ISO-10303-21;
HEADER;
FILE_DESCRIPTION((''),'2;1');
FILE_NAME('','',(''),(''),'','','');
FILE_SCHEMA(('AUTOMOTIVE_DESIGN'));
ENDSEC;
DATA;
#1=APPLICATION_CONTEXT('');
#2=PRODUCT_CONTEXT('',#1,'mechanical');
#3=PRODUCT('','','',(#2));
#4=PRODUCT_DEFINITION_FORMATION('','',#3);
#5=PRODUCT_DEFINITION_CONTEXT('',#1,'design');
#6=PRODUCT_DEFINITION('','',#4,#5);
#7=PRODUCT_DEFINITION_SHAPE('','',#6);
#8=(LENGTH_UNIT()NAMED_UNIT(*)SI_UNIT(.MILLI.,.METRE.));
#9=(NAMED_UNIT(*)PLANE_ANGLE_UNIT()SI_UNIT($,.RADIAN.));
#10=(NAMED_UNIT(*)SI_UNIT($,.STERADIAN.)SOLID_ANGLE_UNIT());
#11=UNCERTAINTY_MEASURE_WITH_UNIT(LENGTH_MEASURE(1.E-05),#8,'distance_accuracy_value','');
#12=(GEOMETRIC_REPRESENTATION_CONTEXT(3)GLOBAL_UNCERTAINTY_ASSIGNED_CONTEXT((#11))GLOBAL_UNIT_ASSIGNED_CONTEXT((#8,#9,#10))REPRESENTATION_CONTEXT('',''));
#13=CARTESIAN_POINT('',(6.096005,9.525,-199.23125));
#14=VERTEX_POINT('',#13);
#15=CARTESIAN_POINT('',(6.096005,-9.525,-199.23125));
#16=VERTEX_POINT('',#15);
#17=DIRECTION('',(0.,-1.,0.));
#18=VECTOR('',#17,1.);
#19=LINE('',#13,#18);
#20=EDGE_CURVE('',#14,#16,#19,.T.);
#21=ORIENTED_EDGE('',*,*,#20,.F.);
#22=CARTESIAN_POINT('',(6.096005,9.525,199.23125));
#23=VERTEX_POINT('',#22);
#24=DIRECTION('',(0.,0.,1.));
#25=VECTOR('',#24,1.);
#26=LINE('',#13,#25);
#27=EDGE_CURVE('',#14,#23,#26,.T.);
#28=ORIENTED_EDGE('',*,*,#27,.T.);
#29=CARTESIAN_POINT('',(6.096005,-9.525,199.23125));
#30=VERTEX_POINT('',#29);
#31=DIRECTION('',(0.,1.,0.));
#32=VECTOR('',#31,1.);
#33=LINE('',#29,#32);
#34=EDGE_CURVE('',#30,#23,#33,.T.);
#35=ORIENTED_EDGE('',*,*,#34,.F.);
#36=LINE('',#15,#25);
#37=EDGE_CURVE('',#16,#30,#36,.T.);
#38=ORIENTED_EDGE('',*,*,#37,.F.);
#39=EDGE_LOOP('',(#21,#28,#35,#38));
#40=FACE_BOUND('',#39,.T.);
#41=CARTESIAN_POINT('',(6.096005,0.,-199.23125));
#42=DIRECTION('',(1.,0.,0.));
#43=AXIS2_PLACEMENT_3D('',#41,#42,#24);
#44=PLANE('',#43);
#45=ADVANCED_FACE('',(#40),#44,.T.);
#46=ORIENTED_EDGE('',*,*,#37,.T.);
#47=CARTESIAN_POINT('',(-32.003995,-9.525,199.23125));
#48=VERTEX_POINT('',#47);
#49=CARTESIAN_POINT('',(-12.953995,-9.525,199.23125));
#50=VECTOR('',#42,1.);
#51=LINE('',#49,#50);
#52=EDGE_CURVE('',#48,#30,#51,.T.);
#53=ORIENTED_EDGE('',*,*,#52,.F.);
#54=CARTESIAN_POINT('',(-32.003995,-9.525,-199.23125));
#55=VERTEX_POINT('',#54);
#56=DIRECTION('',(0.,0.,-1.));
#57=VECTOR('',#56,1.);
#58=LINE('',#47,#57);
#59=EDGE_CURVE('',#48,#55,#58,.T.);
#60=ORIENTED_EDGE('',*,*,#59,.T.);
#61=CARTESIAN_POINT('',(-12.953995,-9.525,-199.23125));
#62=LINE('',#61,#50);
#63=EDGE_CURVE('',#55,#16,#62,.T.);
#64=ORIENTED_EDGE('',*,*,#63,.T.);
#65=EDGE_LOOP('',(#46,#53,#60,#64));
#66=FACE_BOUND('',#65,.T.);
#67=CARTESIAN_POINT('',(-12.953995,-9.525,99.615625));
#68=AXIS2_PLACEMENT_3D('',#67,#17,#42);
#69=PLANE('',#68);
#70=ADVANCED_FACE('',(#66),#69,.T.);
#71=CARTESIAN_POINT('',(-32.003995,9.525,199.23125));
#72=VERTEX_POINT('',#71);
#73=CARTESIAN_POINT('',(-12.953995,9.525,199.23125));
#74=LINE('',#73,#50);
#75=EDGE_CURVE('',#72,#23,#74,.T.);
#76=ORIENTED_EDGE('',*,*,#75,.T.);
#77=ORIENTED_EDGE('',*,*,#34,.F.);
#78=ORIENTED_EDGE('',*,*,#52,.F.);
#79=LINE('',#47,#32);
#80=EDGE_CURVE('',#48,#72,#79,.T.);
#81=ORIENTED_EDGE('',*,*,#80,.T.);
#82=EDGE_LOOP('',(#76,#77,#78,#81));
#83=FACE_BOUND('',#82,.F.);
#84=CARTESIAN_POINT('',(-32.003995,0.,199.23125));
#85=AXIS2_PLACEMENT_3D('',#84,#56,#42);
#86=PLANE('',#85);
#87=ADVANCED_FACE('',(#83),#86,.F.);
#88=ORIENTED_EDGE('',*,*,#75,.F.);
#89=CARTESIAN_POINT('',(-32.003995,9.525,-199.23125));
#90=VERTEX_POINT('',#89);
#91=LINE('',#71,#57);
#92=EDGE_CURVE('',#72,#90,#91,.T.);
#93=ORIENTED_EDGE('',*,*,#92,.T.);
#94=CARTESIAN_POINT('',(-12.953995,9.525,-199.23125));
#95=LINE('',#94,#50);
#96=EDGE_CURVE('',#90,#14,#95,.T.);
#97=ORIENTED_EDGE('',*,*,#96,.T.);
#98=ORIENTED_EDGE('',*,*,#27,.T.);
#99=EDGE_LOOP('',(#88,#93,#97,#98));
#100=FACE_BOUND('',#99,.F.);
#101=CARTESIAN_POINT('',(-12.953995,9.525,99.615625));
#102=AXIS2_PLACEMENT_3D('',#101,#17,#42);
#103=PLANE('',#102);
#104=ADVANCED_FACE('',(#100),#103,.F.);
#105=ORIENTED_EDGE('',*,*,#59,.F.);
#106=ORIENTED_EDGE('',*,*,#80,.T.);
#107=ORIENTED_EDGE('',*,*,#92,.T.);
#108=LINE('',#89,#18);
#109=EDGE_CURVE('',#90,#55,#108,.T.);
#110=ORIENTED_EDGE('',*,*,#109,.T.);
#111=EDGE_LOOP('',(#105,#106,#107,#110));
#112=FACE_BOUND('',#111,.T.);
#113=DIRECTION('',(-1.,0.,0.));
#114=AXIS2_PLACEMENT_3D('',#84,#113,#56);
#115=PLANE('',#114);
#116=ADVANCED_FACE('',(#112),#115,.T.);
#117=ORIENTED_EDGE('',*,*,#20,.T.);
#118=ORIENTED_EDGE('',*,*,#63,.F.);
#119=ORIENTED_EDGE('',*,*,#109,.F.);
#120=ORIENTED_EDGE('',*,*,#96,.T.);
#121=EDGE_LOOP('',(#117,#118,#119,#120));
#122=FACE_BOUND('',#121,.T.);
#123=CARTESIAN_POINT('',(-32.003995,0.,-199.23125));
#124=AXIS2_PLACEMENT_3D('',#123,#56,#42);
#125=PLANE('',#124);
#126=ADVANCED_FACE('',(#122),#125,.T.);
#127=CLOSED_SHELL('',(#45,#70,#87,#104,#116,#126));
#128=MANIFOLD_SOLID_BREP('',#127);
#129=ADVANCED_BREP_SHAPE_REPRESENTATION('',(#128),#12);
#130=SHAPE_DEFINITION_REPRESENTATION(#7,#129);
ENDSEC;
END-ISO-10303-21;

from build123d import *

# Parameters (mm, degrees)
F0_W     = 38.1
F0_H     = 199.23125
F1_DEPTH = 9.525


with BuildPart() as f1:
    # F0 (on Front) → F1 (new body, symmetric)
    with BuildSketch(Plane.XZ):
        with Locations((-12.9539953259, 99.615625)):
            Rectangle(F0_W, F0_H)
        with Locations((-12.9539953259, -99.615625)):
            Rectangle(F0_W, F0_H)
    extrude(amount=F1_DEPTH, both=True)


solid = f1.part
